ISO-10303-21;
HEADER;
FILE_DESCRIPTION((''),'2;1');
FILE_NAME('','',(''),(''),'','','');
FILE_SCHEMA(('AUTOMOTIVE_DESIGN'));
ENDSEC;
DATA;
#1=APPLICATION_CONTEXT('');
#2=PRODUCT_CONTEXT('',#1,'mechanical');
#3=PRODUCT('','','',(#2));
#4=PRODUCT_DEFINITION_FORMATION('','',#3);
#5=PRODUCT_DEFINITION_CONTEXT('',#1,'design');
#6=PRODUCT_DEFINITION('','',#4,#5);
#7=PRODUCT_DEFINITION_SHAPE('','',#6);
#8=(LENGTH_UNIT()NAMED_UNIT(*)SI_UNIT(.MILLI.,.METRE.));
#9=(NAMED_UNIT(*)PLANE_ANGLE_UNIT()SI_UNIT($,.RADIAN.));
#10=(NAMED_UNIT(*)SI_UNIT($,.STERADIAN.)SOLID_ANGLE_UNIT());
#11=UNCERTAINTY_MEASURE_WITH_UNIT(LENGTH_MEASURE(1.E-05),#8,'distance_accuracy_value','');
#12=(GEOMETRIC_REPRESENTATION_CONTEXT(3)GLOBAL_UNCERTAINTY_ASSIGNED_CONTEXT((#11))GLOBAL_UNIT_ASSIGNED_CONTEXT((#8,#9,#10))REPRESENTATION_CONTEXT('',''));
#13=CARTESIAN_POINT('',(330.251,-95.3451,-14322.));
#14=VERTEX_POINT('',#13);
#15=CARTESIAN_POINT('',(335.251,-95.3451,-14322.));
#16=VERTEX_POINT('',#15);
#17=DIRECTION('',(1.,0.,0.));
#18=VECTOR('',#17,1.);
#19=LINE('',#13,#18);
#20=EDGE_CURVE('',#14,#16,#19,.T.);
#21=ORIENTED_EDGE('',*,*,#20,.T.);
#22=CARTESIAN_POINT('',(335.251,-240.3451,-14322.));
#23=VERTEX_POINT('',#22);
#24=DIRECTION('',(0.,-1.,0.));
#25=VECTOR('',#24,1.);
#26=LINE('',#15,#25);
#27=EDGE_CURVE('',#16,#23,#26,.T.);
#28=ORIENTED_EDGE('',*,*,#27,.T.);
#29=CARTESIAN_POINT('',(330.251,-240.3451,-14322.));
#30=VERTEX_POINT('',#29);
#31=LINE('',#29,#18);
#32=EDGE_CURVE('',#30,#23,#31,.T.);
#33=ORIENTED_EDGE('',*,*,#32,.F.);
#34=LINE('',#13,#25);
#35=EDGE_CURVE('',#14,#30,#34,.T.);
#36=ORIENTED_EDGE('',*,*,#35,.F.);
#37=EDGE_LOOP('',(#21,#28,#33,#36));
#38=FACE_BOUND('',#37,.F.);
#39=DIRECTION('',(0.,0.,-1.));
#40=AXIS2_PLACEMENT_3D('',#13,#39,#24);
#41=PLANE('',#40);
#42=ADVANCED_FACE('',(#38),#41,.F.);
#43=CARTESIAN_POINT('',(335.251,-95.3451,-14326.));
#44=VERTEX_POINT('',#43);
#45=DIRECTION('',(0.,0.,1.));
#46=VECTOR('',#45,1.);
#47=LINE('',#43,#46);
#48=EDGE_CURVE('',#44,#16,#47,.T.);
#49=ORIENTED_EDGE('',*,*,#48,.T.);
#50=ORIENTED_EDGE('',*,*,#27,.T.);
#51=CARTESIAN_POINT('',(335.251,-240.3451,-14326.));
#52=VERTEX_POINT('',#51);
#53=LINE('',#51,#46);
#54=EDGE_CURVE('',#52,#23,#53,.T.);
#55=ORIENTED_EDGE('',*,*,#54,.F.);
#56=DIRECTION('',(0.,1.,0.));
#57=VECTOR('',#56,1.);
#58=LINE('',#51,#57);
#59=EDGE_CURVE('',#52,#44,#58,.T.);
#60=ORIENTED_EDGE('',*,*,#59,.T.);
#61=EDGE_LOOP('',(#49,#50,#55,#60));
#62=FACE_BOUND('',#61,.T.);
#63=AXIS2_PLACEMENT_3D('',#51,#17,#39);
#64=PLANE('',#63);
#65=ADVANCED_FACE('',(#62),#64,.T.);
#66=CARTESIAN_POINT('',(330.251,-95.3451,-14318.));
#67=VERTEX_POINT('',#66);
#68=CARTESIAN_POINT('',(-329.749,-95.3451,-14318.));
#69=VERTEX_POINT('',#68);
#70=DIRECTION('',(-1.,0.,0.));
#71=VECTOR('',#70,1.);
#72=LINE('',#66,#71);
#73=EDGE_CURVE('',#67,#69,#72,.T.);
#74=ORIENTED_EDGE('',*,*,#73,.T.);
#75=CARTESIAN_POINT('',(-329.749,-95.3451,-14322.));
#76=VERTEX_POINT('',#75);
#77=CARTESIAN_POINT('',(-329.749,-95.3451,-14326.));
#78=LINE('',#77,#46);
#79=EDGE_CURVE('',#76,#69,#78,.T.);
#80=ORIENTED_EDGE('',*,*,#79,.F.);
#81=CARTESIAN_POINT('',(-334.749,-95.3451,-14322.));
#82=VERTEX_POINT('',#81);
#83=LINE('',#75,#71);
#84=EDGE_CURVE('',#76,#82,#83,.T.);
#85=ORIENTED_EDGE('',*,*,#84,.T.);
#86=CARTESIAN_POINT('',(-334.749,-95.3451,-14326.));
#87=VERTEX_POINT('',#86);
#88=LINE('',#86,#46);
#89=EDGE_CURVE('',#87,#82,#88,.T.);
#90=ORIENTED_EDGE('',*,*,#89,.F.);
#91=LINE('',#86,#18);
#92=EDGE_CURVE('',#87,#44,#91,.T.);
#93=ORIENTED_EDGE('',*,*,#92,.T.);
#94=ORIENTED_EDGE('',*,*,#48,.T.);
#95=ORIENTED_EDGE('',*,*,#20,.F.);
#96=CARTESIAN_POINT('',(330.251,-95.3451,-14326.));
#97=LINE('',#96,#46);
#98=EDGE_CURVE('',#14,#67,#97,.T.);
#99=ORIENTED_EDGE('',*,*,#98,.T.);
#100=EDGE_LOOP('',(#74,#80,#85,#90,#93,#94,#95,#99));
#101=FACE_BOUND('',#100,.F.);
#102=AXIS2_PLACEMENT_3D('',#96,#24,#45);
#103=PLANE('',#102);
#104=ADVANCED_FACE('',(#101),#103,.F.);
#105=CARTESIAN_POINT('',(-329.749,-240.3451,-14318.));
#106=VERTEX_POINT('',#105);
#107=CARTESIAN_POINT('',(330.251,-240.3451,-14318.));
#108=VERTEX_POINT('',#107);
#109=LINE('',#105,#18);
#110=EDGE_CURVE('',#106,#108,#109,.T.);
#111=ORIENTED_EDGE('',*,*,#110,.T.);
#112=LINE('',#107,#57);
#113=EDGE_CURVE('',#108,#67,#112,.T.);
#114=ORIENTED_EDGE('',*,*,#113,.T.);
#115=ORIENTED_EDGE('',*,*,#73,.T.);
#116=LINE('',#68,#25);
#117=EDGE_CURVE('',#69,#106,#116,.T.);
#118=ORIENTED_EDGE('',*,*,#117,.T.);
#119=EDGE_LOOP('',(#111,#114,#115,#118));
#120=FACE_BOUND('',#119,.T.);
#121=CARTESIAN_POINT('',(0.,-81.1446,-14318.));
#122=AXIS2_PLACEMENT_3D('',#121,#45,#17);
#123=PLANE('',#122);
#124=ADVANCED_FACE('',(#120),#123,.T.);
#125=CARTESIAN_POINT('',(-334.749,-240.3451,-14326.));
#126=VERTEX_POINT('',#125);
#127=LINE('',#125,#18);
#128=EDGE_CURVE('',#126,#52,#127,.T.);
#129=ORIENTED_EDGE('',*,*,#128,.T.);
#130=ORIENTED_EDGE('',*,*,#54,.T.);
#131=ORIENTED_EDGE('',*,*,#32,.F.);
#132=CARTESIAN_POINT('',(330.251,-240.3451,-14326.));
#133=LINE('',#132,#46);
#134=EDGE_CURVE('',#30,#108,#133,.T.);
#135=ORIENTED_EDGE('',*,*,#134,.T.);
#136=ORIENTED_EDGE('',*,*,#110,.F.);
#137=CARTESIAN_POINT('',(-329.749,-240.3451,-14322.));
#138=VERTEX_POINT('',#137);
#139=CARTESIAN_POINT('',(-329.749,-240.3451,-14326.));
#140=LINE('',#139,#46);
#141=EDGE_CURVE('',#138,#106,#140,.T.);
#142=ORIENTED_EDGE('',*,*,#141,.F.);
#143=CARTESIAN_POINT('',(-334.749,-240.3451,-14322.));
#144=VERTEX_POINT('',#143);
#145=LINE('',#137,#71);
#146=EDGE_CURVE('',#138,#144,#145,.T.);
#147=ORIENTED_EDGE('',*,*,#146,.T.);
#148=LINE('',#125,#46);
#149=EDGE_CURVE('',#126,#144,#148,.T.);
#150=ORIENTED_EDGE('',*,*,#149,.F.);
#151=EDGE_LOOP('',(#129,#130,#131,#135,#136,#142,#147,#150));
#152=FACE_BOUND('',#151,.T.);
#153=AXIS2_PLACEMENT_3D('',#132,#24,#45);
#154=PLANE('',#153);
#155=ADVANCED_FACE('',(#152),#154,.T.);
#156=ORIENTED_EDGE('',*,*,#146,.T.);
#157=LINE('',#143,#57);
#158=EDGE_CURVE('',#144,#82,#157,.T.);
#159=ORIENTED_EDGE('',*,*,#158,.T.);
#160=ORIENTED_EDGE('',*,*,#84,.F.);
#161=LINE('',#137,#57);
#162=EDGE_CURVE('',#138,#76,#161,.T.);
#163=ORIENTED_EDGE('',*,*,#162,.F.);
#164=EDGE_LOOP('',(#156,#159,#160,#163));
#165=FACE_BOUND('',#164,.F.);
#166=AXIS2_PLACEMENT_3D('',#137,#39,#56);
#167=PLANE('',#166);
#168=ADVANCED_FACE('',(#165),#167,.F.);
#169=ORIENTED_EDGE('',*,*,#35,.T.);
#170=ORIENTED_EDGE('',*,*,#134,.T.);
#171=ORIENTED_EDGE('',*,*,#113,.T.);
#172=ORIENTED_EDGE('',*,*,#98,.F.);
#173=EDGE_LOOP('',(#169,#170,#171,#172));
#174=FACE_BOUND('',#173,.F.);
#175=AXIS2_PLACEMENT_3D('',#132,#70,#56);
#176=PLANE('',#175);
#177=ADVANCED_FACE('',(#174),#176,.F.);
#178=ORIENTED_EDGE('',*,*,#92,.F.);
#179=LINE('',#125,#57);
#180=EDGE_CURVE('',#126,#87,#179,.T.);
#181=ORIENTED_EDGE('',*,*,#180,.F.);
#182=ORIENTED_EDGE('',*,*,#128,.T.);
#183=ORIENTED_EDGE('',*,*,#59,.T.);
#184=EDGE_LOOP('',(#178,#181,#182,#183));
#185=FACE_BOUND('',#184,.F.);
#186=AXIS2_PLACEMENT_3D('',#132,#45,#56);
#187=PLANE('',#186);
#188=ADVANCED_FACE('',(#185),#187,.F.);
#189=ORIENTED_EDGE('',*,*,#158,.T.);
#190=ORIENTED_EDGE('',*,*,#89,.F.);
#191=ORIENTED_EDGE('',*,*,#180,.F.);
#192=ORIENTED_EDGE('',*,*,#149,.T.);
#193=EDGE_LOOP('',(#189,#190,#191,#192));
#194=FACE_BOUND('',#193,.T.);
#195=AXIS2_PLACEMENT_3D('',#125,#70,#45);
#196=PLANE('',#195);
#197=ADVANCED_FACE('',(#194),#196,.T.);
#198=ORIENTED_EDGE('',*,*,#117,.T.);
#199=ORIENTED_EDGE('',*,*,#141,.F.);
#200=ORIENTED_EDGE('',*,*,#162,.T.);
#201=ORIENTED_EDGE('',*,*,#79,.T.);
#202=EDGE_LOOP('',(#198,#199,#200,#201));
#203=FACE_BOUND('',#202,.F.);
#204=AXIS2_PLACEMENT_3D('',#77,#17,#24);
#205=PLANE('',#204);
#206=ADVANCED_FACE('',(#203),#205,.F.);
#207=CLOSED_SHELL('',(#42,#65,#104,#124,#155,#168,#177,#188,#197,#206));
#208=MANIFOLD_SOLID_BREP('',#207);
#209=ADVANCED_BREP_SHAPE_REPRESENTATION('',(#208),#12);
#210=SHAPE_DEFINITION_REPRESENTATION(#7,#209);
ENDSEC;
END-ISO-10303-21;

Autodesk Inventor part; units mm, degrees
ref_plane "YZ Plane" through (0, 0, 0) normal (1, 0, 0) x (0, 1, 0)
ref_plane "XZ Plane" through (0, 0, 0) normal (0, 1, 0) x (-1, 0, 0)
ref_plane "XY Plane" through (0, 0, 0) normal (0, 0, 1) x (1, 0, 0)
ref_plane "작업 평면1" through (0, -81.1446, -14326) normal (0, 0, 1) x (1, 0, 0)
sketch "스케치1" plane through (0, -81.1446, -14326) normal (0, 0, 1) x (1, 0, 0)
  line L0 (-329.749, -159.2005) -> (330.251, -159.2005)
  line L1 (330.251, -159.2005) -> (330.251, -14.2005)
  line L2 (330.251, -14.2005) -> (-329.749, -14.2005)
  line L3 (-329.749, -14.2005) -> (-329.749, -159.2005)
  point P0 (0, 81.1446)
  dimension "d0" = 660
  dimension "d1" = 145
extrude "돌출1" add sketch "스케치1" along normal blind 8
sketch "스케치3" plane through (-329.749, -240.3451, -14326) normal (-1, 0, 0) x (0, 0, 1)
  line L0 (0, 0) -> (0, 145) projected
  line L1 (0, 145) -> (8, 145) projected
  line L2 (0, 0) -> (4, 0)
  line L3 (4, 0) -> (4, 145)
  line L4 (4, 145) -> (0, 145)
  line L5 (0, 145) -> (0, 0)
  point P0 (14326, 240.3451)
extrude "돌출2" add sketch "스케치3" along normal blind 5
sketch "스케치4" plane through (330.251, -240.3451, -14326) normal (1, 0, 0) x (0, 0, -1)
  line L0 (0, 0) -> (0, 145) projected
  line L1 (0, 0) -> (-8, 0) projected
  line L2 (0, 145) -> (-4, 145)
  line L3 (-4, 145) -> (-4, 0)
  line L4 (-4, 0) -> (0, 0)
  line L5 (0, 0) -> (0, 145)
  point P0 (-14326, 240.3451)
extrude "돌출3" add sketch "스케치4" along normal blind 5
properties part number "slider"
